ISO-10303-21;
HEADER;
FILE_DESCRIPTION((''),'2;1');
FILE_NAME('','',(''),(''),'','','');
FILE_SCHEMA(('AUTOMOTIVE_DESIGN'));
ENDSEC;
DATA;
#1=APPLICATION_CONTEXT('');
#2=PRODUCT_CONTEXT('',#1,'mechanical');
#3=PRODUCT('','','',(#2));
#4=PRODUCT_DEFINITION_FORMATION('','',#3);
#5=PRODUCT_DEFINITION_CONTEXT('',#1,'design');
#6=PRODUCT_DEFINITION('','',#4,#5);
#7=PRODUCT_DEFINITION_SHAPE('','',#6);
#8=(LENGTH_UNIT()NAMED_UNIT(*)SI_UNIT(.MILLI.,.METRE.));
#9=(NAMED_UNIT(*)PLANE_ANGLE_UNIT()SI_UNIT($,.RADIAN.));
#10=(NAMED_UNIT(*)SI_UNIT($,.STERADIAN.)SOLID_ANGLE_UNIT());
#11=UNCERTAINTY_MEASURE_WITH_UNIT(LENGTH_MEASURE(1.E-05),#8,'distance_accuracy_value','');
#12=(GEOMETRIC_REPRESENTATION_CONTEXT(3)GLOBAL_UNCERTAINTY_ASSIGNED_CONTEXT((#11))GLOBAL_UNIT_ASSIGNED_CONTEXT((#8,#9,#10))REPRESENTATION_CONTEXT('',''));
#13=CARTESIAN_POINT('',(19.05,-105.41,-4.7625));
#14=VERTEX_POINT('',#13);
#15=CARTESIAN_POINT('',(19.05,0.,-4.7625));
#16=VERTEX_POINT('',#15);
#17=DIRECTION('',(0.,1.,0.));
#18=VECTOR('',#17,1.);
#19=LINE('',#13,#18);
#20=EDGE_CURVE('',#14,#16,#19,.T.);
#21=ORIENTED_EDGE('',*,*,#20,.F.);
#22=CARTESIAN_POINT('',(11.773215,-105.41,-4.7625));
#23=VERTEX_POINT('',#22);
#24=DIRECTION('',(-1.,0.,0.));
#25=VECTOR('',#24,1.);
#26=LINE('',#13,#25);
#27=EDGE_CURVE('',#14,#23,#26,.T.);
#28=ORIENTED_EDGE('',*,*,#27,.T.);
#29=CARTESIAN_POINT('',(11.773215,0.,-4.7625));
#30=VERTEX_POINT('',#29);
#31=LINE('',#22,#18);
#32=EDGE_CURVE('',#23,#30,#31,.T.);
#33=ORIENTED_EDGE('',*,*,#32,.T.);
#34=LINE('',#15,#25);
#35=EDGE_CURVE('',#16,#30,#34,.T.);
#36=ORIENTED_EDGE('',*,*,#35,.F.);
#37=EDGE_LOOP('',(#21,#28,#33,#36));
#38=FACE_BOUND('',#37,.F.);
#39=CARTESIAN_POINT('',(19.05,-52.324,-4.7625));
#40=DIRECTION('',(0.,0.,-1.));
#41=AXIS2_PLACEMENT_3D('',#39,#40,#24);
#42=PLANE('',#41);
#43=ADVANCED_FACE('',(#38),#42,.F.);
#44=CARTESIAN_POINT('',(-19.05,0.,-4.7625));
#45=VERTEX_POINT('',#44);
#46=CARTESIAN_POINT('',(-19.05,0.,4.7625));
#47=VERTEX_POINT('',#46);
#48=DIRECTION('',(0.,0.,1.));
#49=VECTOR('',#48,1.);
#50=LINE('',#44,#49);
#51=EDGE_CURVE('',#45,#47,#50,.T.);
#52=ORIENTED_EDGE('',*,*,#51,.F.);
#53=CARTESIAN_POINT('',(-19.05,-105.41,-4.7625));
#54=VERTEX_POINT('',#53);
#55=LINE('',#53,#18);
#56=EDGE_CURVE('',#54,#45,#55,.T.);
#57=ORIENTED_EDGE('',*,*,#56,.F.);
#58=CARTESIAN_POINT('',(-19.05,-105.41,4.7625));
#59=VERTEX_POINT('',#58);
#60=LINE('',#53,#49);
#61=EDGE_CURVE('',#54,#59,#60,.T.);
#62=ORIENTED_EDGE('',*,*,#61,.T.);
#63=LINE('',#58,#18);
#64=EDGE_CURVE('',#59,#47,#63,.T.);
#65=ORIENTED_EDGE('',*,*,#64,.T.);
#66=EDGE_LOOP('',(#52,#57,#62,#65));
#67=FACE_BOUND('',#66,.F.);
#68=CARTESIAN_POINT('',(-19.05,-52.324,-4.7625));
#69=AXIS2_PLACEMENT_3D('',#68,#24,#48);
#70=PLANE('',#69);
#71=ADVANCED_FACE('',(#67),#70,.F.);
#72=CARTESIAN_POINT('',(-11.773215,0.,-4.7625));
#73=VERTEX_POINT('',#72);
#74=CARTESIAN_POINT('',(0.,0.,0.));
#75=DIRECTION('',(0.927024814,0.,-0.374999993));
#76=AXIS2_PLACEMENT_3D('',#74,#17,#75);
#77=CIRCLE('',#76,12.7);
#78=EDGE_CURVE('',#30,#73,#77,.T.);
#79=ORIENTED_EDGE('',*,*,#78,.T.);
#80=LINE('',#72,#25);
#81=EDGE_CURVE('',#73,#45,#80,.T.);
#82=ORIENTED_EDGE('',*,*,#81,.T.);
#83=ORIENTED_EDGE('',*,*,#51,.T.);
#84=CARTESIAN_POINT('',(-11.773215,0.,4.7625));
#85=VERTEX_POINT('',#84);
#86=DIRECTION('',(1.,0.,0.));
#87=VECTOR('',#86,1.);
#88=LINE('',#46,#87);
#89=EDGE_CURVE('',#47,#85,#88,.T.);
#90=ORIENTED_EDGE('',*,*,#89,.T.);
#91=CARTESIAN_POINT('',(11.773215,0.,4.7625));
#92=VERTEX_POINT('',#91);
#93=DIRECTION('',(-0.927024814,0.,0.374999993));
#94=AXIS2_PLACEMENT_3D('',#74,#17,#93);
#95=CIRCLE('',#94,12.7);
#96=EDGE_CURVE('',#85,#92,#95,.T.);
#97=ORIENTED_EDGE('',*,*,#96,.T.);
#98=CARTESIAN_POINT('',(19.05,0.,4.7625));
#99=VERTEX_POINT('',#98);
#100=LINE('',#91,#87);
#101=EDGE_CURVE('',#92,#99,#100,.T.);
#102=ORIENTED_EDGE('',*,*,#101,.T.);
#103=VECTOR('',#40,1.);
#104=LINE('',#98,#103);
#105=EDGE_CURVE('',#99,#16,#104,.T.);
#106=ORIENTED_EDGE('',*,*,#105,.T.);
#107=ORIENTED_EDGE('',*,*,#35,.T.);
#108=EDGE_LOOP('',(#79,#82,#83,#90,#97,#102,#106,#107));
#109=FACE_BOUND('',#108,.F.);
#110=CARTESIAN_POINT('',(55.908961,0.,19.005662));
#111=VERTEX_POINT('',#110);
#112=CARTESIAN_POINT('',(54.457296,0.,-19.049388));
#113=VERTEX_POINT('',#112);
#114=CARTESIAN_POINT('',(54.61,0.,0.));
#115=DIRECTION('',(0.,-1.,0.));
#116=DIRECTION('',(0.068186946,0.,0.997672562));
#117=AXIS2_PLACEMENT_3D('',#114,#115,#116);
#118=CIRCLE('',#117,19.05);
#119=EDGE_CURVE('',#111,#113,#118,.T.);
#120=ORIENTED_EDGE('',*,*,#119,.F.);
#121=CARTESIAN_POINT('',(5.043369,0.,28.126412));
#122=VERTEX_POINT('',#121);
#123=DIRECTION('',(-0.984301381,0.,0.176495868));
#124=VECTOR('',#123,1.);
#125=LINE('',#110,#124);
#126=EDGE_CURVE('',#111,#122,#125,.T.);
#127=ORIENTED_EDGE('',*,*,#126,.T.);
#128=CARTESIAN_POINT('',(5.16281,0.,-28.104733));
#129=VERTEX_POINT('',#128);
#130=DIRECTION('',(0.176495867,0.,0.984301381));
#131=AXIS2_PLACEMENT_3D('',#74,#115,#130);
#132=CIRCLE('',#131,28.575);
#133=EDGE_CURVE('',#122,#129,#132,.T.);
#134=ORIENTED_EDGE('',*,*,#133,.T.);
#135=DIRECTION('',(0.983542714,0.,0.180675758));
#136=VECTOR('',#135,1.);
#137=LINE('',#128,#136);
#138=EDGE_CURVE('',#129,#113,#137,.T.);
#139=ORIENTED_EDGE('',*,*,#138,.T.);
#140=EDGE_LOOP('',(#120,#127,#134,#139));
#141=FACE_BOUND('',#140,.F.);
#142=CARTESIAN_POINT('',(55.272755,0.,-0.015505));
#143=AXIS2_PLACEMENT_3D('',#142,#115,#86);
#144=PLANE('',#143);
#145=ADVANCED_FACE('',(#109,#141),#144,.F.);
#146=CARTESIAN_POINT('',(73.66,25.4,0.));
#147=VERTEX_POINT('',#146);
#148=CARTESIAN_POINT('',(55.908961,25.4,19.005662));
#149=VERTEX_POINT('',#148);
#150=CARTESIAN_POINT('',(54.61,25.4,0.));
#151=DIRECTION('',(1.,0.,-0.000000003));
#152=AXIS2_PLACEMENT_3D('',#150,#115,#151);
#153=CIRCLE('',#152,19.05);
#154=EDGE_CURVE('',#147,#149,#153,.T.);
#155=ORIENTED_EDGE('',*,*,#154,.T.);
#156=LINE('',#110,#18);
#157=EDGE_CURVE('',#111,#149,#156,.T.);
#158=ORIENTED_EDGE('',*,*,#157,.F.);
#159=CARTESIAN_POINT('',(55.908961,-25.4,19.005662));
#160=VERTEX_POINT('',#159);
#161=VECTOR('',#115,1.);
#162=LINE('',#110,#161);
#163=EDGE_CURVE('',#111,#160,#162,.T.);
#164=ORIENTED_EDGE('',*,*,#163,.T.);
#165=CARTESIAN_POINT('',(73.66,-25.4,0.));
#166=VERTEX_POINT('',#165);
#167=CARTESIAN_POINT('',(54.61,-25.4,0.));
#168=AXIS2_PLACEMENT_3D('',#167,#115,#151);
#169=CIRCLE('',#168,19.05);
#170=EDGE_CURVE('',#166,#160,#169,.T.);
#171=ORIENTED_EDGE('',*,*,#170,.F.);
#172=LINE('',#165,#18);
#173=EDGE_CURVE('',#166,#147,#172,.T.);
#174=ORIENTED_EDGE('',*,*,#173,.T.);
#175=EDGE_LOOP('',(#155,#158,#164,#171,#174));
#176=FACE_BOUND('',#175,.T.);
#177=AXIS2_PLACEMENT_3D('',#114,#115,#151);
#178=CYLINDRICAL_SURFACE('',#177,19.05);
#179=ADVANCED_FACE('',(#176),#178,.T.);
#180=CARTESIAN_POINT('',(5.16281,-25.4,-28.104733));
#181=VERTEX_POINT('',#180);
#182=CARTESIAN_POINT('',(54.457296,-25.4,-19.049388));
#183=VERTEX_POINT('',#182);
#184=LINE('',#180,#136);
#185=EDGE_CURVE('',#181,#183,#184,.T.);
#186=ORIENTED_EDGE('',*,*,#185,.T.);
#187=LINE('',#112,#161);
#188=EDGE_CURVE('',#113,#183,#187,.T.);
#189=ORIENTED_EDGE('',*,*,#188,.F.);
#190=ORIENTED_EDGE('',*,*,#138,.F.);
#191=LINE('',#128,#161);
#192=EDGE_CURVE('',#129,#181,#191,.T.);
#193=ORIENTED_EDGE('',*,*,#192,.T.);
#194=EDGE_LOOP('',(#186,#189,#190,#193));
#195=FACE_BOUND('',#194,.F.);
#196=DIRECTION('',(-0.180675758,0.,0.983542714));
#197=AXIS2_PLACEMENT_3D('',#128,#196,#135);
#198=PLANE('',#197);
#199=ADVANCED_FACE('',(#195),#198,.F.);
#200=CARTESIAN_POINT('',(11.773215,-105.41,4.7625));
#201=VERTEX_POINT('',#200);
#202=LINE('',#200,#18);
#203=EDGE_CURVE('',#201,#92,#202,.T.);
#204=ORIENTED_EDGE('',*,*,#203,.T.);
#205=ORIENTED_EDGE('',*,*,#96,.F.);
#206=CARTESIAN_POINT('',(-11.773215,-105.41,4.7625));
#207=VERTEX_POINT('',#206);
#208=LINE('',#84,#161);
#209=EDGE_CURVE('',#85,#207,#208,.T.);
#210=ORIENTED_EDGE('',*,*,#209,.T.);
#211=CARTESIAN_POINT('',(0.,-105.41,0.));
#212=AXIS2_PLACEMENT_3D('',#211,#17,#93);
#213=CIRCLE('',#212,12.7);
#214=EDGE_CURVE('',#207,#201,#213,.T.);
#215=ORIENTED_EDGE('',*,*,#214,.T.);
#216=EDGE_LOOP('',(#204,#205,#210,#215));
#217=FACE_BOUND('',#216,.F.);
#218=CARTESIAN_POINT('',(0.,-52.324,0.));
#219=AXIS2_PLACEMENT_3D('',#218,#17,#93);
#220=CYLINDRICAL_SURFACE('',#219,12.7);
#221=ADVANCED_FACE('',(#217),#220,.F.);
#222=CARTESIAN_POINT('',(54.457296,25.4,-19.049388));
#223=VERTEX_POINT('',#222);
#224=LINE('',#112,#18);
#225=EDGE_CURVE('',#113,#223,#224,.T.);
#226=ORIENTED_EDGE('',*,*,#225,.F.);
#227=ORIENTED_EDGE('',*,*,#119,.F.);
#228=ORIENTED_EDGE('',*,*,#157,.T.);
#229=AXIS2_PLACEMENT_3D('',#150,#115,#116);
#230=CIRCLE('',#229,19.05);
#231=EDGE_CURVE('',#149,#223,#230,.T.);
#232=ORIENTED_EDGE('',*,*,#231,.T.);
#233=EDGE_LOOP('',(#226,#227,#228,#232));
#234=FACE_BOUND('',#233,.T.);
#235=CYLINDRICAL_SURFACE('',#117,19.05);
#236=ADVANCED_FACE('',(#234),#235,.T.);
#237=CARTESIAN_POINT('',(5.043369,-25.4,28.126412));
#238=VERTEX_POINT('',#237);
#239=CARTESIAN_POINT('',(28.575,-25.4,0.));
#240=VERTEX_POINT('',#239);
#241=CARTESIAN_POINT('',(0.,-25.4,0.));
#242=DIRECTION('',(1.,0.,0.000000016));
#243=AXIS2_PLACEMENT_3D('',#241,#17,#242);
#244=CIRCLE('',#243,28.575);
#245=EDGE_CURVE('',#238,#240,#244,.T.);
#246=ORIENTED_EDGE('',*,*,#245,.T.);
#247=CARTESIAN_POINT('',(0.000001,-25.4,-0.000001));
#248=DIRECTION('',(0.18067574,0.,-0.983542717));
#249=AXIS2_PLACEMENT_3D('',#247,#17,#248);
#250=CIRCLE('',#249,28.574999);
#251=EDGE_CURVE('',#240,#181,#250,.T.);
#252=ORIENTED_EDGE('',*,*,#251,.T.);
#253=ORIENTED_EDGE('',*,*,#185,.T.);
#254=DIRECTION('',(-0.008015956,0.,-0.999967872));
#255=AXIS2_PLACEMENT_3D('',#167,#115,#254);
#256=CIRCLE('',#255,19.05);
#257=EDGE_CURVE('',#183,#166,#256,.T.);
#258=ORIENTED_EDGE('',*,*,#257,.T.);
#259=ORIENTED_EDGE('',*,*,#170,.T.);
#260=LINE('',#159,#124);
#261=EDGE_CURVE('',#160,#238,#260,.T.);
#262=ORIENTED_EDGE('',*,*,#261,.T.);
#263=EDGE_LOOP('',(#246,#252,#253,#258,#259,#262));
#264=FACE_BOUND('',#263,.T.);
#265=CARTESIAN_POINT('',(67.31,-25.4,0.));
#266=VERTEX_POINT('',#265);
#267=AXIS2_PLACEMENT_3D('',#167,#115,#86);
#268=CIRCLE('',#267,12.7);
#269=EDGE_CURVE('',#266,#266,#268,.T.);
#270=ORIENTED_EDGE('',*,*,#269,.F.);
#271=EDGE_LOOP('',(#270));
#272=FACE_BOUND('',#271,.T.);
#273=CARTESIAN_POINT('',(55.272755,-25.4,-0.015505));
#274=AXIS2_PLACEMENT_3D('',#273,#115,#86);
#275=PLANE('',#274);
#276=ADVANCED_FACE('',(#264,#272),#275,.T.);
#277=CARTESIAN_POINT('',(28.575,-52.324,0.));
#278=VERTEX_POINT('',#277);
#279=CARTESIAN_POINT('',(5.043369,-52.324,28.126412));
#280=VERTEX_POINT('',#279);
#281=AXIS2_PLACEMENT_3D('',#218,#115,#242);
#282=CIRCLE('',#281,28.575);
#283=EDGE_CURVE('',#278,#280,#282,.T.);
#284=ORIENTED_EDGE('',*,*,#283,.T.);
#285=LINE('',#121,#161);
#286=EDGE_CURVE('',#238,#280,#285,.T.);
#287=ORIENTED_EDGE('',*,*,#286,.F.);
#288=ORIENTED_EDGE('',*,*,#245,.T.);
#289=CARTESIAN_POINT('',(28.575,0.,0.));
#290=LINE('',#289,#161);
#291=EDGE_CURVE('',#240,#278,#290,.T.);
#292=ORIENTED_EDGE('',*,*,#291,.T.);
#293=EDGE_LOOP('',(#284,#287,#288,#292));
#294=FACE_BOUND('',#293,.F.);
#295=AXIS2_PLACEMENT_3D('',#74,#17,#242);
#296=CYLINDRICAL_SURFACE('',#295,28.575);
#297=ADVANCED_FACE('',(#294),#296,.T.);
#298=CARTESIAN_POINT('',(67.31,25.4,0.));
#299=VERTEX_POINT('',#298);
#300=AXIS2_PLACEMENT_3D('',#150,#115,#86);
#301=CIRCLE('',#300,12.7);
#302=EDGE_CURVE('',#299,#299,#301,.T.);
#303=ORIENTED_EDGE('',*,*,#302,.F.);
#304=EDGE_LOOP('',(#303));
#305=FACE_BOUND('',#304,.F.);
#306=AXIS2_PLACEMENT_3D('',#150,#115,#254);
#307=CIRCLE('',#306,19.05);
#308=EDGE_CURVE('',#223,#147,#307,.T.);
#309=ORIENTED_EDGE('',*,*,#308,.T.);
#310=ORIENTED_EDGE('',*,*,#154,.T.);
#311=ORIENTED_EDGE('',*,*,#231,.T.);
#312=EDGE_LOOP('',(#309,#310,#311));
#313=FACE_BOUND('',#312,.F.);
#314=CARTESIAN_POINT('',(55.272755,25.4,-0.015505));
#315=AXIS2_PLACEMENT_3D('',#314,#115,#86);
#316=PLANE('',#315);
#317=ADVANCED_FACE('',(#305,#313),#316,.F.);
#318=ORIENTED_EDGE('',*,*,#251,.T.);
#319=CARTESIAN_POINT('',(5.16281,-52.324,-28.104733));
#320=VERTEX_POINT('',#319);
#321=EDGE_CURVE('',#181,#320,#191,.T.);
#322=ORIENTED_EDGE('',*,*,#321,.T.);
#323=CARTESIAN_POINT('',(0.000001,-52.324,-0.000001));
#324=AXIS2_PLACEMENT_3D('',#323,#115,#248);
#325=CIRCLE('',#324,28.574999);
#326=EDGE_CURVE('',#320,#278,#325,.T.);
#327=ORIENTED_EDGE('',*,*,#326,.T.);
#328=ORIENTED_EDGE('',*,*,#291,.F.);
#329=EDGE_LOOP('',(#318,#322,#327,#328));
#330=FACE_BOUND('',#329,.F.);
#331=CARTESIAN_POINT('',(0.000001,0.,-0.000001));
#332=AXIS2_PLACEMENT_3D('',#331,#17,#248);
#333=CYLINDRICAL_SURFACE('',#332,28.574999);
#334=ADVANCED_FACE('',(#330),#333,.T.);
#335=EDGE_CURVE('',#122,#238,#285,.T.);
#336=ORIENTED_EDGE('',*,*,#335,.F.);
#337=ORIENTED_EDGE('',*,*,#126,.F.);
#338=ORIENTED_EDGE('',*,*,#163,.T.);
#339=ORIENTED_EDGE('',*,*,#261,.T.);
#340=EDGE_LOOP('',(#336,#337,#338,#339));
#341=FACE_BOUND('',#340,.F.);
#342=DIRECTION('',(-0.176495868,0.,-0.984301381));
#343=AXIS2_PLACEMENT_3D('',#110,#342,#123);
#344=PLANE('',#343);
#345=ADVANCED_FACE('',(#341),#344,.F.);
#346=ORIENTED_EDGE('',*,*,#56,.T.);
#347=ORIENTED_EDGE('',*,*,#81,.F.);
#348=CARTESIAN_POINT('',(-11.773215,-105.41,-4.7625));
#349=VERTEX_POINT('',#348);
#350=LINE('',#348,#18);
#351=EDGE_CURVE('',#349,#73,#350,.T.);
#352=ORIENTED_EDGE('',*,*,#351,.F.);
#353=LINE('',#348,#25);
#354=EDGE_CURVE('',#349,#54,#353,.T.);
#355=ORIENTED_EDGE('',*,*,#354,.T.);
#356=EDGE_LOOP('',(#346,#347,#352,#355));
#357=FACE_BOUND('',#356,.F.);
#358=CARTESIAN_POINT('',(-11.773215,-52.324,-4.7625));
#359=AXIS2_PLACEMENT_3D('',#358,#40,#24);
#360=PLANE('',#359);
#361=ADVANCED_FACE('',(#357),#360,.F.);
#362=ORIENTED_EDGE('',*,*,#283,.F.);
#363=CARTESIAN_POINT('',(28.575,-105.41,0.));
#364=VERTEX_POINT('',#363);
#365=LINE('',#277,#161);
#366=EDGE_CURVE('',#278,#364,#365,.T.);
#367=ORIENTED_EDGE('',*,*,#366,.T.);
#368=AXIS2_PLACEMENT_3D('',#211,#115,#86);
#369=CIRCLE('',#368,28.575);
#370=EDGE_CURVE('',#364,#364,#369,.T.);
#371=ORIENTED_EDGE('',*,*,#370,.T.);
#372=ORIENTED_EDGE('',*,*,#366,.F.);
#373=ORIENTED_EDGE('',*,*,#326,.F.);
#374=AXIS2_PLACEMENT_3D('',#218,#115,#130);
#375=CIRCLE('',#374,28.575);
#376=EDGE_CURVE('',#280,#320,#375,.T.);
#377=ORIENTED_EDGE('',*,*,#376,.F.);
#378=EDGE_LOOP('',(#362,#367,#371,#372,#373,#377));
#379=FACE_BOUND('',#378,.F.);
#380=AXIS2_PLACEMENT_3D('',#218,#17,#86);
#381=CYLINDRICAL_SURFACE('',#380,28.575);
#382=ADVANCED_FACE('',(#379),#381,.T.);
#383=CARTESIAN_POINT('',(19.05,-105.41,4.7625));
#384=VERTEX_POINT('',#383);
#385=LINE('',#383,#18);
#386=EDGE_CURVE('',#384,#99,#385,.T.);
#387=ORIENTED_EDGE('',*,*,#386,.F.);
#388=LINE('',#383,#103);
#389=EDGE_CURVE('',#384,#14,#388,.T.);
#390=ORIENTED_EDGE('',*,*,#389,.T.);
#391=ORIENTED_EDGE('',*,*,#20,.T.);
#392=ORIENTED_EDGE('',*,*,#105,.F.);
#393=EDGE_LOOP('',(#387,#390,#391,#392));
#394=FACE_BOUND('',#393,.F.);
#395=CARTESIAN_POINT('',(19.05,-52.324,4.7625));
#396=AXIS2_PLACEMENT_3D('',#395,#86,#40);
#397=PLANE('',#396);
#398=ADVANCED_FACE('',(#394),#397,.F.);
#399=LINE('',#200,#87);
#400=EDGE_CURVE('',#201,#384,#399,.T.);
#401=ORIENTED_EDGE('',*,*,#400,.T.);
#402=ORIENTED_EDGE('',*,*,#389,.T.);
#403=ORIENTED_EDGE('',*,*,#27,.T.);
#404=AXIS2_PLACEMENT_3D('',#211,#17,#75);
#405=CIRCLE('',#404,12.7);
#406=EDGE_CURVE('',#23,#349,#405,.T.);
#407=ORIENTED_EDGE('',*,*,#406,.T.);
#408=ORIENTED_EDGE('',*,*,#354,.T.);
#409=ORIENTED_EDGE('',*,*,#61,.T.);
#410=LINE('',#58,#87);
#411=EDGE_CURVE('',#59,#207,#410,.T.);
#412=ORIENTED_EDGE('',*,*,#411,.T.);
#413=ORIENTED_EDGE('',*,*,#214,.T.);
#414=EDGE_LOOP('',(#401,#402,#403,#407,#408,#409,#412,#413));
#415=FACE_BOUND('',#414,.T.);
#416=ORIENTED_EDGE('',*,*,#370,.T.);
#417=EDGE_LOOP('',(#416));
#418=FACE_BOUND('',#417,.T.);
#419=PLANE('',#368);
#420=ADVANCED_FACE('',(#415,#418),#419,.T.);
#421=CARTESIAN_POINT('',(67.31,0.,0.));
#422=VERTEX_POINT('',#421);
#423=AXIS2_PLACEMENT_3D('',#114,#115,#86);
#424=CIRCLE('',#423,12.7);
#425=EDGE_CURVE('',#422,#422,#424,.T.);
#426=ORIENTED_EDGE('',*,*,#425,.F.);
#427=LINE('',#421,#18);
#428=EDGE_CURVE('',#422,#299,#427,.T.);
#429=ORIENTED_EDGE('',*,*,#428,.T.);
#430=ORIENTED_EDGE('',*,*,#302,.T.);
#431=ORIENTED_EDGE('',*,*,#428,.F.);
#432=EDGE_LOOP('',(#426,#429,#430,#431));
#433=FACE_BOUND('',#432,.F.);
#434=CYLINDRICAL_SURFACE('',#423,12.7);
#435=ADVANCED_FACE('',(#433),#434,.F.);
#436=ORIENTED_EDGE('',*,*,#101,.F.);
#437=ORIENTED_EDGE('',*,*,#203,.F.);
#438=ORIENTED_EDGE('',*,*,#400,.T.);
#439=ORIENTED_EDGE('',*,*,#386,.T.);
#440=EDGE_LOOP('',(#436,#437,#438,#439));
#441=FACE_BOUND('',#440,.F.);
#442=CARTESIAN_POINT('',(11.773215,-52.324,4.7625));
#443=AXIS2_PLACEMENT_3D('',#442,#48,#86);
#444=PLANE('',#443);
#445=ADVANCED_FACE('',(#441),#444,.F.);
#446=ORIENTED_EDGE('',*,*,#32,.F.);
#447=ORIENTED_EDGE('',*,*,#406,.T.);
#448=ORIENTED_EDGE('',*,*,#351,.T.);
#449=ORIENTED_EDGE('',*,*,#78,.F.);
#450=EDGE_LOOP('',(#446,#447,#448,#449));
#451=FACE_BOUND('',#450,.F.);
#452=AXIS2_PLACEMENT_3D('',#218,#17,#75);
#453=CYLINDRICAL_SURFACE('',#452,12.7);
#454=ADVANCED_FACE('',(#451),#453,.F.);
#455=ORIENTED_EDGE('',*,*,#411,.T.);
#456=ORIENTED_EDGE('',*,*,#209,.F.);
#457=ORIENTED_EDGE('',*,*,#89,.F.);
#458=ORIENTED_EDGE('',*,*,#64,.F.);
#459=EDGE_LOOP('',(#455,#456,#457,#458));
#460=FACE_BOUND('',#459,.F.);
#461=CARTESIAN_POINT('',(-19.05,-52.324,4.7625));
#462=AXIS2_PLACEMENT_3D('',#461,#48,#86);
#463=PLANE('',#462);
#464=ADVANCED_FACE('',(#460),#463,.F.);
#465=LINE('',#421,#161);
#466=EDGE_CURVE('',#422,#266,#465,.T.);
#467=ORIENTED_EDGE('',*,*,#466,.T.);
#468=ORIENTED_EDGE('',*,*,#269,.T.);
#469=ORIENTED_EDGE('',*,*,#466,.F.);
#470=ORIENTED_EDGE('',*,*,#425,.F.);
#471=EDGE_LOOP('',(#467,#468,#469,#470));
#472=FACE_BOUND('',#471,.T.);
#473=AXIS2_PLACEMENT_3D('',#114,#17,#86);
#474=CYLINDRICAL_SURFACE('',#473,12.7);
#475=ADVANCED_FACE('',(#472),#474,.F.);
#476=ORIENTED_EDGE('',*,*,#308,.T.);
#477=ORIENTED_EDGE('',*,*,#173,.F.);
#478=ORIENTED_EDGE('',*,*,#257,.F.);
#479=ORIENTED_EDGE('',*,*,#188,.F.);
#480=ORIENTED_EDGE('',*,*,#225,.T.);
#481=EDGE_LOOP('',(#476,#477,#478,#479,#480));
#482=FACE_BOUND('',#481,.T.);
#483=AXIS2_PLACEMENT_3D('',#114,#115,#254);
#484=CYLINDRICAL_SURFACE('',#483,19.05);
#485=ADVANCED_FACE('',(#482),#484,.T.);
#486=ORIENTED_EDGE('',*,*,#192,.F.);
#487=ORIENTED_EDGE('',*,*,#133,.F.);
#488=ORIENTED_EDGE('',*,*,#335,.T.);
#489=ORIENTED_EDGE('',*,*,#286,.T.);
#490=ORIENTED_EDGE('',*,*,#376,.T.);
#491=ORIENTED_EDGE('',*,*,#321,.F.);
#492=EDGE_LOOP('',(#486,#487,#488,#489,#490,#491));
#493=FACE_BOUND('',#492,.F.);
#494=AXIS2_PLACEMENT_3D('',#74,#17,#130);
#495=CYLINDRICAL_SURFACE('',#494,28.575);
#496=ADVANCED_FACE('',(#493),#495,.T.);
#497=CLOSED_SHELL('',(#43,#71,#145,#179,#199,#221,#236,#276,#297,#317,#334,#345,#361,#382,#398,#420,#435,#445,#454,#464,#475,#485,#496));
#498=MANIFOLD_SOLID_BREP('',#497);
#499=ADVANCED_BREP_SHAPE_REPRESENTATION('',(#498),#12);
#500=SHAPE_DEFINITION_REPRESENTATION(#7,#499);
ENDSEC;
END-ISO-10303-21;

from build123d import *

# Parameters (mm, degrees)
F0_R      = 12.7
F1_DEPTH  = 25.4
F2_DEPTH  = 52.324
F2_FACE_R = 28.575
F3_DEPTH  = 53.086
F4_DEPTH  = 25.4


with BuildPart() as f1:
    # F0 (on Front) → F1 (new body)
    with BuildSketch(Plane.XZ):
        with BuildLine():
            ThreePointArc((73.66, 0), (68.532063, 13.003025), (55.908961, 19.005662))
            ThreePointArc((55.908961, 19.005662), (35.573845, 0.726161), (54.457296, -19.049388))
            ThreePointArc((54.457296, -19.049388), (68.026287, -13.524265), (73.66, 0))
        make_face()
        with Locations((54.61, 0)):
            Circle(F0_R, mode=Mode.SUBTRACT)
        with BuildLine():
            ThreePointArc((5.16281, -28.104733), (21.955158, -18.289387), (28.575, 0))
            ThreePointArc((28.575, 0), (21.91626, 18.33598), (5.043369, 28.126412))
            ThreePointArc((5.043369, 28.126412), (-28.574936, -0.060696), (5.16281, -28.104733))
        make_face()
        with BuildLine():
            ThreePointArc((-11.773215, 4.7625), (0, 12.7), (11.773215, 4.7625))
            Line((11.773215, 4.7625), (19.05, 4.7625))
            Line((19.05, 4.7625), (19.05, -4.7625))
            Line((19.05, -4.7625), (11.773215, -4.7625))
            ThreePointArc((11.773215, -4.7625), (0, -12.7), (-11.773215, -4.7625))
            Line((-11.773215, -4.7625), (-19.05, -4.7625))
            Line((-19.05, -4.7625), (-19.05, 4.7625))
            Line((-19.05, 4.7625), (-11.773215, 4.7625))
        make_face(mode=Mode.SUBTRACT)
        with BuildLine():
            ThreePointArc((5.043369, 28.126412), (21.91626, 18.33598), (28.575, 0))
            ThreePointArc((28.575, 0), (21.955158, -18.289387), (5.16281, -28.104733))
            Line((5.16281, -28.104733), (54.457296, -19.049388))
            ThreePointArc((54.457296, -19.049388), (35.573845, 0.726161), (55.908961, 19.005662))
            Line((55.908961, 19.005662), (5.043369, 28.126412))
        make_face()
    extrude(amount=F1_DEPTH)

    # F0 (on Front) → F2 (join)
    with BuildSketch(Plane.XZ):
        with BuildLine():
            ThreePointArc((5.16281, -28.104733), (21.955158, -18.289387), (28.575, 0))
            ThreePointArc((28.575, 0), (21.91626, 18.33598), (5.043369, 28.126412))
            ThreePointArc((5.043369, 28.126412), (-28.574936, -0.060696), (5.16281, -28.104733))
        make_face()
        with BuildLine():
            ThreePointArc((-11.773215, 4.7625), (0, 12.7), (11.773215, 4.7625))
            Line((11.773215, 4.7625), (19.05, 4.7625))
            Line((19.05, 4.7625), (19.05, -4.7625))
            Line((19.05, -4.7625), (11.773215, -4.7625))
            ThreePointArc((11.773215, -4.7625), (0, -12.7), (-11.773215, -4.7625))
            Line((-11.773215, -4.7625), (-19.05, -4.7625))
            Line((-19.05, -4.7625), (-19.05, 4.7625))
            Line((-19.05, 4.7625), (-11.773215, 4.7625))
        make_face(mode=Mode.SUBTRACT)
    extrude(amount=F2_DEPTH)

    # F2_face (on face) → F3 (join)
    with BuildSketch(Plane.XZ.offset(52.324)):
        Circle(F2_FACE_R)
        with BuildLine():
            ThreePointArc((-11.773215, 4.7625), (0, 12.7), (11.773215, 4.7625))
            Line((11.773215, 4.7625), (19.05, 4.7625))
            Line((19.05, 4.7625), (19.05, -4.7625))
            Line((19.05, -4.7625), (11.773215, -4.7625))
            ThreePointArc((11.773215, -4.7625), (0, -12.7), (-11.773215, -4.7625))
            Line((-11.773215, -4.7625), (-19.05, -4.7625))
            Line((-19.05, -4.7625), (-19.05, 4.7625))
            Line((-19.05, 4.7625), (-11.773215, 4.7625))
        make_face(mode=Mode.SUBTRACT)
    extrude(amount=F3_DEPTH)

    # F0 (on Front) → F4 (join)
    with BuildSketch(Plane.XZ):
        with BuildLine():
            ThreePointArc((73.66, 0), (68.532063, 13.003025), (55.908961, 19.005662))
            ThreePointArc((55.908961, 19.005662), (35.573845, 0.726161), (54.457296, -19.049388))
            ThreePointArc((54.457296, -19.049388), (68.026287, -13.524265), (73.66, 0))
        make_face()
        with Locations((54.61, 0)):
            Circle(F0_R, mode=Mode.SUBTRACT)
    extrude(amount=-F4_DEPTH)


solid = f1.part
